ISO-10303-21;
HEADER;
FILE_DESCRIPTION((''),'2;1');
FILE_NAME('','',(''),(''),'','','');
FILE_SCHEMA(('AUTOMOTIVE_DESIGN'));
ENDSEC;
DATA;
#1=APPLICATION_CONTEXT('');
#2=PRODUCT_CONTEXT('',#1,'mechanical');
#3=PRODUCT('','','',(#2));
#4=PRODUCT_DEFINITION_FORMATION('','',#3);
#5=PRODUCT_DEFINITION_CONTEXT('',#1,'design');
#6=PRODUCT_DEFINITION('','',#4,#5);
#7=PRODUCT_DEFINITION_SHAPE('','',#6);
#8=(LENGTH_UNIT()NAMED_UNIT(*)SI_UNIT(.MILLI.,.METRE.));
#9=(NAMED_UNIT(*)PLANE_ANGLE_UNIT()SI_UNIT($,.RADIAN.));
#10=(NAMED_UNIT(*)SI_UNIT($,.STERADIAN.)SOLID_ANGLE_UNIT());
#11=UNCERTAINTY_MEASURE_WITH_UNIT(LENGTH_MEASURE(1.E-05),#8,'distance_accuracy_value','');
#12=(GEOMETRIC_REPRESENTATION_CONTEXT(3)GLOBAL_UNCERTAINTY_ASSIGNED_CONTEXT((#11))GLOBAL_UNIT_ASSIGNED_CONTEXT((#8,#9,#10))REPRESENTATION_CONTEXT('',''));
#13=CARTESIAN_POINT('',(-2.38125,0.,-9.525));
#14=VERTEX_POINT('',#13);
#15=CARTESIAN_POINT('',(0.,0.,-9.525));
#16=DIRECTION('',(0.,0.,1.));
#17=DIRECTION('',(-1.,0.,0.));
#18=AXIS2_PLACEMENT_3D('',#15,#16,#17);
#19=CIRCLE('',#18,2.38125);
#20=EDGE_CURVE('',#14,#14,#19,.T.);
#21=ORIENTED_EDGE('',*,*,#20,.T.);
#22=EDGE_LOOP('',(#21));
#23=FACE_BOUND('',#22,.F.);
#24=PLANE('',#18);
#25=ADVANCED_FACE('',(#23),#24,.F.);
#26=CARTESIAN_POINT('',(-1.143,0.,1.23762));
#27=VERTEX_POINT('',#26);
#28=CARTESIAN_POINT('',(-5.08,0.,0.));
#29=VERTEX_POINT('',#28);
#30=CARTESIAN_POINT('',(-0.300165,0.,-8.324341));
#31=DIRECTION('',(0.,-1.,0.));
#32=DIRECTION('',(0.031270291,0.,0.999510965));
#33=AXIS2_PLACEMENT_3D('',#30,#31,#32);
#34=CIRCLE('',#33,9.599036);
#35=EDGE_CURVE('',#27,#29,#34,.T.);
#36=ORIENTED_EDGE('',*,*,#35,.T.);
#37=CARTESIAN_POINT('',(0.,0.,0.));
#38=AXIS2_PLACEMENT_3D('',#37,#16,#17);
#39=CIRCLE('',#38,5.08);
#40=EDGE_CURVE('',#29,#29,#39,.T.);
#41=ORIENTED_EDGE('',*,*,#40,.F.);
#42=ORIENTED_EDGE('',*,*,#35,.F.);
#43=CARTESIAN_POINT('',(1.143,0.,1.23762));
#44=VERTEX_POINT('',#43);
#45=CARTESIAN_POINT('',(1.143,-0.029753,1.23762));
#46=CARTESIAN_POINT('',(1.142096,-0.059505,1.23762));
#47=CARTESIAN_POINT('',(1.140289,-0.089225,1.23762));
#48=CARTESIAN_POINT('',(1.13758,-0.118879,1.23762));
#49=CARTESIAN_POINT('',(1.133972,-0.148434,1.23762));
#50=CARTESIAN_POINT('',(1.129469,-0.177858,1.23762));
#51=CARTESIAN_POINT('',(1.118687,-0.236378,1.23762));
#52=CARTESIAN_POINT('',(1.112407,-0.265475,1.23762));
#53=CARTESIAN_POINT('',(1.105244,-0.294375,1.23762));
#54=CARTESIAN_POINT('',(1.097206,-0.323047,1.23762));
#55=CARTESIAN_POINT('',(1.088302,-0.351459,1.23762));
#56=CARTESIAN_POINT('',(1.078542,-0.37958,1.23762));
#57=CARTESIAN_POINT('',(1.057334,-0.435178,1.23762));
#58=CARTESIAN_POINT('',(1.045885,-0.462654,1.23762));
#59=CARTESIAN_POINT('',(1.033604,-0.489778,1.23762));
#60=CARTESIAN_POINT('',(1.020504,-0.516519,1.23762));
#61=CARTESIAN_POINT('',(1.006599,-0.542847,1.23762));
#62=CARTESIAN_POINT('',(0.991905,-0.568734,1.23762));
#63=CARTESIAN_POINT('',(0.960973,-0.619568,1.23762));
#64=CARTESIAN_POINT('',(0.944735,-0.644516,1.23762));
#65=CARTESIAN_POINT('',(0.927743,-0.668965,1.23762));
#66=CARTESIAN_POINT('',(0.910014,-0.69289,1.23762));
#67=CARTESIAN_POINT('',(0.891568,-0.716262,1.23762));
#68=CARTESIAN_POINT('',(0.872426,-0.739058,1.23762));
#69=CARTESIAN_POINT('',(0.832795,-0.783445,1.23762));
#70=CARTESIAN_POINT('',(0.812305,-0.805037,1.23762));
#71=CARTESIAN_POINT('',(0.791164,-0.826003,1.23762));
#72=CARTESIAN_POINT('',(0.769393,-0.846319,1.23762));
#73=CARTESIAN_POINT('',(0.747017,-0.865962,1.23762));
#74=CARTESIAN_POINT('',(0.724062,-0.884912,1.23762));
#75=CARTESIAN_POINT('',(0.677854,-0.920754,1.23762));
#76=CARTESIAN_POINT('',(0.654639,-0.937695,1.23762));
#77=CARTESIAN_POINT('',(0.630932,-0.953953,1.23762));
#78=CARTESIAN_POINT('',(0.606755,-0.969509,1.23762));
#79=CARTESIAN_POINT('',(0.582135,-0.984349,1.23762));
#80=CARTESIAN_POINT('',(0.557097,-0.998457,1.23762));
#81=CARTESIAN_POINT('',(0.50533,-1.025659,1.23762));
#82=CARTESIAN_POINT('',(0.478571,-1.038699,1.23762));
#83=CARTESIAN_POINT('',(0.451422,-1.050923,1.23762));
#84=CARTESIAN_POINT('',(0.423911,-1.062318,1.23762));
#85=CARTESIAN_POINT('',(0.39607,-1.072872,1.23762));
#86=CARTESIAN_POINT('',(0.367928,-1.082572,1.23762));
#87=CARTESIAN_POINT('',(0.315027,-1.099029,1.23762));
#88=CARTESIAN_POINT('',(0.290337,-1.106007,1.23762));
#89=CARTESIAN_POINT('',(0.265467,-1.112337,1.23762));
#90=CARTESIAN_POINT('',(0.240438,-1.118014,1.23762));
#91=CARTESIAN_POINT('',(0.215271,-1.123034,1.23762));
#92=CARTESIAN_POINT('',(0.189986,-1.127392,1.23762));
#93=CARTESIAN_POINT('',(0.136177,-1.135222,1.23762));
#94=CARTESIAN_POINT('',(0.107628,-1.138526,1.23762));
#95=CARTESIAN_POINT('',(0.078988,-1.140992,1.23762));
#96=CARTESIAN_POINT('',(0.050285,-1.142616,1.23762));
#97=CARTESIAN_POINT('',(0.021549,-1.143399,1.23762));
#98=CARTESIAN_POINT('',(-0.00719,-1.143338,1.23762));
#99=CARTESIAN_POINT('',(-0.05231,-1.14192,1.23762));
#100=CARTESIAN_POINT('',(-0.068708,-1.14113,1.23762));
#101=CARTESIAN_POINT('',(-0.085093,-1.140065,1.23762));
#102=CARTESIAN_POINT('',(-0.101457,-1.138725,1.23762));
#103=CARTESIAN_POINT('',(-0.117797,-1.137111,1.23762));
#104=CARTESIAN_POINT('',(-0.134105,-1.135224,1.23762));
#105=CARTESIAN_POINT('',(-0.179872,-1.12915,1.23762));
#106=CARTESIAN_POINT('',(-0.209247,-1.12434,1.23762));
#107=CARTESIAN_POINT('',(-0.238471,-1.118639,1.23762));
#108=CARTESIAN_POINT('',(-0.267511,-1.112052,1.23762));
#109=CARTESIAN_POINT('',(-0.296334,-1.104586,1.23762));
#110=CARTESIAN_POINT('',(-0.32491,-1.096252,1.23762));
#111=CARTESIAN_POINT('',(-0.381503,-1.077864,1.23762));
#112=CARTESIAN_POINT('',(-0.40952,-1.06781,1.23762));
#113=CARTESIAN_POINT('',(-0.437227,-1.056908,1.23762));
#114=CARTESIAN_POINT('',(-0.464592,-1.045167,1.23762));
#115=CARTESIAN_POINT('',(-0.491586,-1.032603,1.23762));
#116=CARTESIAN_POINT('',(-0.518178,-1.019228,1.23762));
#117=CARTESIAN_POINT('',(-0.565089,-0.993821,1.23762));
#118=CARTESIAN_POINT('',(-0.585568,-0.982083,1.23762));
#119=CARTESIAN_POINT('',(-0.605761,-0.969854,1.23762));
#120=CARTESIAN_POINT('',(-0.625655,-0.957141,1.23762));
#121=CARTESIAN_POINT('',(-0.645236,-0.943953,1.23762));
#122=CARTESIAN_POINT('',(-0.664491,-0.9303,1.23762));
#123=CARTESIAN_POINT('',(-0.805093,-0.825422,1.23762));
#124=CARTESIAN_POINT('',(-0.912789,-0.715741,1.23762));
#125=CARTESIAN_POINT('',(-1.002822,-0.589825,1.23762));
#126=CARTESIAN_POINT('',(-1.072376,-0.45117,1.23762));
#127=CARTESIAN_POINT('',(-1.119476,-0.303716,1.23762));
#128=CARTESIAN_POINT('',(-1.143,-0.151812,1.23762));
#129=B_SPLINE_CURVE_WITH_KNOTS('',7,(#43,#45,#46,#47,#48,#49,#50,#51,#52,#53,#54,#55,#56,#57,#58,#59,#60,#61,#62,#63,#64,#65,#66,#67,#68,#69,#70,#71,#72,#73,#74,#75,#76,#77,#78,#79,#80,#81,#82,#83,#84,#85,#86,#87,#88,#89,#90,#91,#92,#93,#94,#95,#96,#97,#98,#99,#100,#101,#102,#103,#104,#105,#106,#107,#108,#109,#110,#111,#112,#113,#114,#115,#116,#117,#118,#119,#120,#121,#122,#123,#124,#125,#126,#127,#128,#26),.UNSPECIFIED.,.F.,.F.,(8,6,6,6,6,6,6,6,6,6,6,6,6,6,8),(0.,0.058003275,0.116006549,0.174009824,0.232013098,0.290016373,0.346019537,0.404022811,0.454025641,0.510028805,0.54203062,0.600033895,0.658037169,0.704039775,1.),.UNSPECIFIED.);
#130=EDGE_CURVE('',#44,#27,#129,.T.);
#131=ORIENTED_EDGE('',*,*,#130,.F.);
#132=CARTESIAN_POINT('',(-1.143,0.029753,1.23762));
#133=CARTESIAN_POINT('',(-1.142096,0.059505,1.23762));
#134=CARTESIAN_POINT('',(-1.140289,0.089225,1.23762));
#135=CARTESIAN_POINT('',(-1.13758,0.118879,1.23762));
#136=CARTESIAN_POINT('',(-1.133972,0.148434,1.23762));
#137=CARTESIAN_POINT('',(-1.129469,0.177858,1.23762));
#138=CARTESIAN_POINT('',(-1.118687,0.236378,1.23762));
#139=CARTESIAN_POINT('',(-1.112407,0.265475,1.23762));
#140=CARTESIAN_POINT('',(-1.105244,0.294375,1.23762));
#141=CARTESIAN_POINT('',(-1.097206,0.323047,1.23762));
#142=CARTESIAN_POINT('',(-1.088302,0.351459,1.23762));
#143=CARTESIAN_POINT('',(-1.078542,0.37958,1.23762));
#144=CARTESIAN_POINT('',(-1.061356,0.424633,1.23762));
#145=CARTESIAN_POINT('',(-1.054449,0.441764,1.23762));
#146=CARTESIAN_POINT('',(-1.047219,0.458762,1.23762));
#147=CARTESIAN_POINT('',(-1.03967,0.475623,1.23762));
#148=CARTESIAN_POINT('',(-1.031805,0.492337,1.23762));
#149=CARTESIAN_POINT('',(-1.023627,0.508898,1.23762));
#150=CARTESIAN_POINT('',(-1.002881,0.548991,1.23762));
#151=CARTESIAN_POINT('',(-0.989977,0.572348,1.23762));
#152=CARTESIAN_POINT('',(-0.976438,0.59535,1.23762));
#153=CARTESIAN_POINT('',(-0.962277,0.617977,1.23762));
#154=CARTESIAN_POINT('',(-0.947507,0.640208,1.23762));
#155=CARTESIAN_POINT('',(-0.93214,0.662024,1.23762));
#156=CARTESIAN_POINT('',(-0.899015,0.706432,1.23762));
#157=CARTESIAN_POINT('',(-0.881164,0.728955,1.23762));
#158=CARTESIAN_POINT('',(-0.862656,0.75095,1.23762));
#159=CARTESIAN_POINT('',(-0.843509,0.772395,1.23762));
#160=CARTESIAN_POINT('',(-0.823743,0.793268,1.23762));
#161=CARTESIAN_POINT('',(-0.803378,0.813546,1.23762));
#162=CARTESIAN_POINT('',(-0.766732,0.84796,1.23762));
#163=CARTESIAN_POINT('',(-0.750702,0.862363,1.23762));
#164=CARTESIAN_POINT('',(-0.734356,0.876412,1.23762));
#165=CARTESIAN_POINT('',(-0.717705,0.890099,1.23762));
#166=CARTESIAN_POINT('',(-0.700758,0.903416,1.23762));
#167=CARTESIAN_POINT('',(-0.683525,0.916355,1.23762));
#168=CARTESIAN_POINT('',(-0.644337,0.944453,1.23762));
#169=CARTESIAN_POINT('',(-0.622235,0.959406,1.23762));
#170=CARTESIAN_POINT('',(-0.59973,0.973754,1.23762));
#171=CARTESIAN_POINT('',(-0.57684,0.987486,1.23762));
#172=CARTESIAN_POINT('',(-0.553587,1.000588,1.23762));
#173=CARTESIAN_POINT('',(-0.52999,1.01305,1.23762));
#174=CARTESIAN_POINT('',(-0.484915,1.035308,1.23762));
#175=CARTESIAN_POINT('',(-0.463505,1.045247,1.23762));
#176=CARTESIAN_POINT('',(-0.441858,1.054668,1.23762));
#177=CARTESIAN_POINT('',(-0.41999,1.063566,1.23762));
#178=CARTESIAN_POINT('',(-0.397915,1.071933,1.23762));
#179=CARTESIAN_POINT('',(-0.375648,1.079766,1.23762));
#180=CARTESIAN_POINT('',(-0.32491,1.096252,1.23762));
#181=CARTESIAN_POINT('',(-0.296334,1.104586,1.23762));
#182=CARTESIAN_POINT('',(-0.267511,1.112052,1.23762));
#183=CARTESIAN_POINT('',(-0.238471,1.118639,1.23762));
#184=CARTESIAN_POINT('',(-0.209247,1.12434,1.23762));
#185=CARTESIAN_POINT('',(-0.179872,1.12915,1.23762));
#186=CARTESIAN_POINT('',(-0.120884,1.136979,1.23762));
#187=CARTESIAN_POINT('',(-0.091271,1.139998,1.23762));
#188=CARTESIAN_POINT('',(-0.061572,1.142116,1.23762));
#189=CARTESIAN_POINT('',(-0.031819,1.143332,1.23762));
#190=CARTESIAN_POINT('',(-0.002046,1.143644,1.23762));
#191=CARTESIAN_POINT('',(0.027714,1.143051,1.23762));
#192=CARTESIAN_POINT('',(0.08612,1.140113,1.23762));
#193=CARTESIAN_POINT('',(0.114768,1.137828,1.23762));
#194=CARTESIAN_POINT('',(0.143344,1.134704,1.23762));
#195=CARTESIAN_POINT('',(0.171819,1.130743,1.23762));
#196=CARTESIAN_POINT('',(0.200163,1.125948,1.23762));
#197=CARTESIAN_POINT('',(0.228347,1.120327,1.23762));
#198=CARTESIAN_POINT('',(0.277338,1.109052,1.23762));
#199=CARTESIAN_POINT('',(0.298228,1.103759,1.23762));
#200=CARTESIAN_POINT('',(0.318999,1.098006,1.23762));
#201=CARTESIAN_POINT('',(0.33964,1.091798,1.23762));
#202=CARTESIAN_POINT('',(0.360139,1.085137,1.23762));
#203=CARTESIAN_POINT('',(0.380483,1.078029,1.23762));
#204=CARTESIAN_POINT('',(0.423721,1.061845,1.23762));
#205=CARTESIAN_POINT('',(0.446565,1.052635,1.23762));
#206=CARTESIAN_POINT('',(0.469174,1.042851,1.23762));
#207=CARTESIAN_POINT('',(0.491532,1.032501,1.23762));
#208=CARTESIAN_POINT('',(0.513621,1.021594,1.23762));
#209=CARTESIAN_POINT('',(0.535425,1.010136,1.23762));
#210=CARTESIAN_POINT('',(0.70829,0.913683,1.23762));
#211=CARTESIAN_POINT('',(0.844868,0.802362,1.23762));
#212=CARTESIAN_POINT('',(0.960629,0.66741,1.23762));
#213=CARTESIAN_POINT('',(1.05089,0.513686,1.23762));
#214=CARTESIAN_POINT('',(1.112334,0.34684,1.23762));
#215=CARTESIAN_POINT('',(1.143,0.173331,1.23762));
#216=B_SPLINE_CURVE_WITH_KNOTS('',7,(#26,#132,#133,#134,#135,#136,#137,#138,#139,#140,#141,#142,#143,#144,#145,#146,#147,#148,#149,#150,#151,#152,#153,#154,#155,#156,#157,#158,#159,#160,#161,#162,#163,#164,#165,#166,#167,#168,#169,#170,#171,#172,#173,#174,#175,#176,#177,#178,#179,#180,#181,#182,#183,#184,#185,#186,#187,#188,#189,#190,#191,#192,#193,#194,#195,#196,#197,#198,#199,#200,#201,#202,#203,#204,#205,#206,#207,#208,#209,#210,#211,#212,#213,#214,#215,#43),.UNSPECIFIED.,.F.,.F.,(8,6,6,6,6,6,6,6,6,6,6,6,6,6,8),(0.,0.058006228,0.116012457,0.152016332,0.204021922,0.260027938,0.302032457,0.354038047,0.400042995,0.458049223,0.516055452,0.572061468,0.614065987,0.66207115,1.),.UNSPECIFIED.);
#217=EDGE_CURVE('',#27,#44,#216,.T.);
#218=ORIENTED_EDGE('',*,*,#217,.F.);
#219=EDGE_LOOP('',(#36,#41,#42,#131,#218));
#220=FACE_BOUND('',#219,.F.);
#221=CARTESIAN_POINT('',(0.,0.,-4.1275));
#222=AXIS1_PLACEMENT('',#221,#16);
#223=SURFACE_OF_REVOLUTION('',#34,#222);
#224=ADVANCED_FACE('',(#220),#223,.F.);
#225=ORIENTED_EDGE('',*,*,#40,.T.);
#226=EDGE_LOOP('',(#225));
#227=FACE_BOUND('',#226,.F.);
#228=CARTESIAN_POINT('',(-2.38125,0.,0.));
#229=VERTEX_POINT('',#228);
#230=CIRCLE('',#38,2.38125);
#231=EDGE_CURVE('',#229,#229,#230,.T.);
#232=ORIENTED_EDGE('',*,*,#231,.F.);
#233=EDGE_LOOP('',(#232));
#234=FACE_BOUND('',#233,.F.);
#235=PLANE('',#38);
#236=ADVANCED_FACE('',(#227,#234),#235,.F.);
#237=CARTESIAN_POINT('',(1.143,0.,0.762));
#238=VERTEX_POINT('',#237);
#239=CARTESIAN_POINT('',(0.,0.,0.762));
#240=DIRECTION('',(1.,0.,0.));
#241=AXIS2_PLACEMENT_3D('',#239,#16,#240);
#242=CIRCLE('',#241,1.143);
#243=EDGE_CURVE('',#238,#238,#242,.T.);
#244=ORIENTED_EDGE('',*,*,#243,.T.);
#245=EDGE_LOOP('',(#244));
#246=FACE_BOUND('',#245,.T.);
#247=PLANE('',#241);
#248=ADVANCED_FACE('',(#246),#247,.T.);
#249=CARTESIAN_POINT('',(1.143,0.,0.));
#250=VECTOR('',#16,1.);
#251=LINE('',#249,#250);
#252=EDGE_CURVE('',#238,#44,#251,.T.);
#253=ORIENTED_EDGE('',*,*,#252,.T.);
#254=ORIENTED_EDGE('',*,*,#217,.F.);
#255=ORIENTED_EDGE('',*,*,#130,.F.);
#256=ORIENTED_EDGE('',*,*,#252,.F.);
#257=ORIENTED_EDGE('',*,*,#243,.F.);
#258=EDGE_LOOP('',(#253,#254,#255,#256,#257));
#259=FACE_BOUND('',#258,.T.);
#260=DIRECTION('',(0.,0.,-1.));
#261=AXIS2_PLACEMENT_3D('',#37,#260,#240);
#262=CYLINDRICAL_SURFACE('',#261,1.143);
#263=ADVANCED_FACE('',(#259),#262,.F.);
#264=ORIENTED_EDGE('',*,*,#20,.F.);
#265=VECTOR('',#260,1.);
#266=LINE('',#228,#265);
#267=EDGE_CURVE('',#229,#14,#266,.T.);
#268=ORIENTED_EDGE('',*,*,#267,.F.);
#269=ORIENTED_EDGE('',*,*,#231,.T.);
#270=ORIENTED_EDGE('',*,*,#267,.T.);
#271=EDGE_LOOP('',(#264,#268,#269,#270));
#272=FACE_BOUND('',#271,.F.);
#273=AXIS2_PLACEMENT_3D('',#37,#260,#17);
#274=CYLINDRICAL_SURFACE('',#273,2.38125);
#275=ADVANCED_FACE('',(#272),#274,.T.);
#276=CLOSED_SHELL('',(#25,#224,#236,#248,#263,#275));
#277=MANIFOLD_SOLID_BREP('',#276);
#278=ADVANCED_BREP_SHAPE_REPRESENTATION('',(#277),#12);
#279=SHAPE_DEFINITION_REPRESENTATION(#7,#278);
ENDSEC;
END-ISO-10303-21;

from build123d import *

# Parameters (mm, degrees)
F2_R      = 1.143
F3_DEPTH  = 1.275694
F3_FACE_R = 1.143
F4_DEPTH  = 0.762


with BuildPart() as f1:
    # F0 (on Front) → F1 (revolve)
    with BuildSketch(Plane.XZ):
        with BuildLine():
            ThreePointArc((0, 1.27), (-2.628273, 0.988091), (-5.08, 0))
            Line((-5.08, 0), (-2.38125, 0))
            Line((-2.38125, 0), (-2.38125, -9.525))
            Line((-2.38125, -9.525), (0, -9.525))
            Line((0, -9.525), (0, 1.27))
        make_face()
    revolve(axis=Axis((0, 0, -4.1275), (0, 0, 1)))

    # F2 (on Top) → F3 (cut, through all)
    with BuildSketch(Plane.XY):
        Circle(F2_R)
    extrude(amount=F3_DEPTH, mode=Mode.SUBTRACT)

    # F3_face (on face) → F4 (join)
    with BuildSketch(Plane.XY):
        Circle(F3_FACE_R)
    extrude(amount=F4_DEPTH)


solid = f1.part
